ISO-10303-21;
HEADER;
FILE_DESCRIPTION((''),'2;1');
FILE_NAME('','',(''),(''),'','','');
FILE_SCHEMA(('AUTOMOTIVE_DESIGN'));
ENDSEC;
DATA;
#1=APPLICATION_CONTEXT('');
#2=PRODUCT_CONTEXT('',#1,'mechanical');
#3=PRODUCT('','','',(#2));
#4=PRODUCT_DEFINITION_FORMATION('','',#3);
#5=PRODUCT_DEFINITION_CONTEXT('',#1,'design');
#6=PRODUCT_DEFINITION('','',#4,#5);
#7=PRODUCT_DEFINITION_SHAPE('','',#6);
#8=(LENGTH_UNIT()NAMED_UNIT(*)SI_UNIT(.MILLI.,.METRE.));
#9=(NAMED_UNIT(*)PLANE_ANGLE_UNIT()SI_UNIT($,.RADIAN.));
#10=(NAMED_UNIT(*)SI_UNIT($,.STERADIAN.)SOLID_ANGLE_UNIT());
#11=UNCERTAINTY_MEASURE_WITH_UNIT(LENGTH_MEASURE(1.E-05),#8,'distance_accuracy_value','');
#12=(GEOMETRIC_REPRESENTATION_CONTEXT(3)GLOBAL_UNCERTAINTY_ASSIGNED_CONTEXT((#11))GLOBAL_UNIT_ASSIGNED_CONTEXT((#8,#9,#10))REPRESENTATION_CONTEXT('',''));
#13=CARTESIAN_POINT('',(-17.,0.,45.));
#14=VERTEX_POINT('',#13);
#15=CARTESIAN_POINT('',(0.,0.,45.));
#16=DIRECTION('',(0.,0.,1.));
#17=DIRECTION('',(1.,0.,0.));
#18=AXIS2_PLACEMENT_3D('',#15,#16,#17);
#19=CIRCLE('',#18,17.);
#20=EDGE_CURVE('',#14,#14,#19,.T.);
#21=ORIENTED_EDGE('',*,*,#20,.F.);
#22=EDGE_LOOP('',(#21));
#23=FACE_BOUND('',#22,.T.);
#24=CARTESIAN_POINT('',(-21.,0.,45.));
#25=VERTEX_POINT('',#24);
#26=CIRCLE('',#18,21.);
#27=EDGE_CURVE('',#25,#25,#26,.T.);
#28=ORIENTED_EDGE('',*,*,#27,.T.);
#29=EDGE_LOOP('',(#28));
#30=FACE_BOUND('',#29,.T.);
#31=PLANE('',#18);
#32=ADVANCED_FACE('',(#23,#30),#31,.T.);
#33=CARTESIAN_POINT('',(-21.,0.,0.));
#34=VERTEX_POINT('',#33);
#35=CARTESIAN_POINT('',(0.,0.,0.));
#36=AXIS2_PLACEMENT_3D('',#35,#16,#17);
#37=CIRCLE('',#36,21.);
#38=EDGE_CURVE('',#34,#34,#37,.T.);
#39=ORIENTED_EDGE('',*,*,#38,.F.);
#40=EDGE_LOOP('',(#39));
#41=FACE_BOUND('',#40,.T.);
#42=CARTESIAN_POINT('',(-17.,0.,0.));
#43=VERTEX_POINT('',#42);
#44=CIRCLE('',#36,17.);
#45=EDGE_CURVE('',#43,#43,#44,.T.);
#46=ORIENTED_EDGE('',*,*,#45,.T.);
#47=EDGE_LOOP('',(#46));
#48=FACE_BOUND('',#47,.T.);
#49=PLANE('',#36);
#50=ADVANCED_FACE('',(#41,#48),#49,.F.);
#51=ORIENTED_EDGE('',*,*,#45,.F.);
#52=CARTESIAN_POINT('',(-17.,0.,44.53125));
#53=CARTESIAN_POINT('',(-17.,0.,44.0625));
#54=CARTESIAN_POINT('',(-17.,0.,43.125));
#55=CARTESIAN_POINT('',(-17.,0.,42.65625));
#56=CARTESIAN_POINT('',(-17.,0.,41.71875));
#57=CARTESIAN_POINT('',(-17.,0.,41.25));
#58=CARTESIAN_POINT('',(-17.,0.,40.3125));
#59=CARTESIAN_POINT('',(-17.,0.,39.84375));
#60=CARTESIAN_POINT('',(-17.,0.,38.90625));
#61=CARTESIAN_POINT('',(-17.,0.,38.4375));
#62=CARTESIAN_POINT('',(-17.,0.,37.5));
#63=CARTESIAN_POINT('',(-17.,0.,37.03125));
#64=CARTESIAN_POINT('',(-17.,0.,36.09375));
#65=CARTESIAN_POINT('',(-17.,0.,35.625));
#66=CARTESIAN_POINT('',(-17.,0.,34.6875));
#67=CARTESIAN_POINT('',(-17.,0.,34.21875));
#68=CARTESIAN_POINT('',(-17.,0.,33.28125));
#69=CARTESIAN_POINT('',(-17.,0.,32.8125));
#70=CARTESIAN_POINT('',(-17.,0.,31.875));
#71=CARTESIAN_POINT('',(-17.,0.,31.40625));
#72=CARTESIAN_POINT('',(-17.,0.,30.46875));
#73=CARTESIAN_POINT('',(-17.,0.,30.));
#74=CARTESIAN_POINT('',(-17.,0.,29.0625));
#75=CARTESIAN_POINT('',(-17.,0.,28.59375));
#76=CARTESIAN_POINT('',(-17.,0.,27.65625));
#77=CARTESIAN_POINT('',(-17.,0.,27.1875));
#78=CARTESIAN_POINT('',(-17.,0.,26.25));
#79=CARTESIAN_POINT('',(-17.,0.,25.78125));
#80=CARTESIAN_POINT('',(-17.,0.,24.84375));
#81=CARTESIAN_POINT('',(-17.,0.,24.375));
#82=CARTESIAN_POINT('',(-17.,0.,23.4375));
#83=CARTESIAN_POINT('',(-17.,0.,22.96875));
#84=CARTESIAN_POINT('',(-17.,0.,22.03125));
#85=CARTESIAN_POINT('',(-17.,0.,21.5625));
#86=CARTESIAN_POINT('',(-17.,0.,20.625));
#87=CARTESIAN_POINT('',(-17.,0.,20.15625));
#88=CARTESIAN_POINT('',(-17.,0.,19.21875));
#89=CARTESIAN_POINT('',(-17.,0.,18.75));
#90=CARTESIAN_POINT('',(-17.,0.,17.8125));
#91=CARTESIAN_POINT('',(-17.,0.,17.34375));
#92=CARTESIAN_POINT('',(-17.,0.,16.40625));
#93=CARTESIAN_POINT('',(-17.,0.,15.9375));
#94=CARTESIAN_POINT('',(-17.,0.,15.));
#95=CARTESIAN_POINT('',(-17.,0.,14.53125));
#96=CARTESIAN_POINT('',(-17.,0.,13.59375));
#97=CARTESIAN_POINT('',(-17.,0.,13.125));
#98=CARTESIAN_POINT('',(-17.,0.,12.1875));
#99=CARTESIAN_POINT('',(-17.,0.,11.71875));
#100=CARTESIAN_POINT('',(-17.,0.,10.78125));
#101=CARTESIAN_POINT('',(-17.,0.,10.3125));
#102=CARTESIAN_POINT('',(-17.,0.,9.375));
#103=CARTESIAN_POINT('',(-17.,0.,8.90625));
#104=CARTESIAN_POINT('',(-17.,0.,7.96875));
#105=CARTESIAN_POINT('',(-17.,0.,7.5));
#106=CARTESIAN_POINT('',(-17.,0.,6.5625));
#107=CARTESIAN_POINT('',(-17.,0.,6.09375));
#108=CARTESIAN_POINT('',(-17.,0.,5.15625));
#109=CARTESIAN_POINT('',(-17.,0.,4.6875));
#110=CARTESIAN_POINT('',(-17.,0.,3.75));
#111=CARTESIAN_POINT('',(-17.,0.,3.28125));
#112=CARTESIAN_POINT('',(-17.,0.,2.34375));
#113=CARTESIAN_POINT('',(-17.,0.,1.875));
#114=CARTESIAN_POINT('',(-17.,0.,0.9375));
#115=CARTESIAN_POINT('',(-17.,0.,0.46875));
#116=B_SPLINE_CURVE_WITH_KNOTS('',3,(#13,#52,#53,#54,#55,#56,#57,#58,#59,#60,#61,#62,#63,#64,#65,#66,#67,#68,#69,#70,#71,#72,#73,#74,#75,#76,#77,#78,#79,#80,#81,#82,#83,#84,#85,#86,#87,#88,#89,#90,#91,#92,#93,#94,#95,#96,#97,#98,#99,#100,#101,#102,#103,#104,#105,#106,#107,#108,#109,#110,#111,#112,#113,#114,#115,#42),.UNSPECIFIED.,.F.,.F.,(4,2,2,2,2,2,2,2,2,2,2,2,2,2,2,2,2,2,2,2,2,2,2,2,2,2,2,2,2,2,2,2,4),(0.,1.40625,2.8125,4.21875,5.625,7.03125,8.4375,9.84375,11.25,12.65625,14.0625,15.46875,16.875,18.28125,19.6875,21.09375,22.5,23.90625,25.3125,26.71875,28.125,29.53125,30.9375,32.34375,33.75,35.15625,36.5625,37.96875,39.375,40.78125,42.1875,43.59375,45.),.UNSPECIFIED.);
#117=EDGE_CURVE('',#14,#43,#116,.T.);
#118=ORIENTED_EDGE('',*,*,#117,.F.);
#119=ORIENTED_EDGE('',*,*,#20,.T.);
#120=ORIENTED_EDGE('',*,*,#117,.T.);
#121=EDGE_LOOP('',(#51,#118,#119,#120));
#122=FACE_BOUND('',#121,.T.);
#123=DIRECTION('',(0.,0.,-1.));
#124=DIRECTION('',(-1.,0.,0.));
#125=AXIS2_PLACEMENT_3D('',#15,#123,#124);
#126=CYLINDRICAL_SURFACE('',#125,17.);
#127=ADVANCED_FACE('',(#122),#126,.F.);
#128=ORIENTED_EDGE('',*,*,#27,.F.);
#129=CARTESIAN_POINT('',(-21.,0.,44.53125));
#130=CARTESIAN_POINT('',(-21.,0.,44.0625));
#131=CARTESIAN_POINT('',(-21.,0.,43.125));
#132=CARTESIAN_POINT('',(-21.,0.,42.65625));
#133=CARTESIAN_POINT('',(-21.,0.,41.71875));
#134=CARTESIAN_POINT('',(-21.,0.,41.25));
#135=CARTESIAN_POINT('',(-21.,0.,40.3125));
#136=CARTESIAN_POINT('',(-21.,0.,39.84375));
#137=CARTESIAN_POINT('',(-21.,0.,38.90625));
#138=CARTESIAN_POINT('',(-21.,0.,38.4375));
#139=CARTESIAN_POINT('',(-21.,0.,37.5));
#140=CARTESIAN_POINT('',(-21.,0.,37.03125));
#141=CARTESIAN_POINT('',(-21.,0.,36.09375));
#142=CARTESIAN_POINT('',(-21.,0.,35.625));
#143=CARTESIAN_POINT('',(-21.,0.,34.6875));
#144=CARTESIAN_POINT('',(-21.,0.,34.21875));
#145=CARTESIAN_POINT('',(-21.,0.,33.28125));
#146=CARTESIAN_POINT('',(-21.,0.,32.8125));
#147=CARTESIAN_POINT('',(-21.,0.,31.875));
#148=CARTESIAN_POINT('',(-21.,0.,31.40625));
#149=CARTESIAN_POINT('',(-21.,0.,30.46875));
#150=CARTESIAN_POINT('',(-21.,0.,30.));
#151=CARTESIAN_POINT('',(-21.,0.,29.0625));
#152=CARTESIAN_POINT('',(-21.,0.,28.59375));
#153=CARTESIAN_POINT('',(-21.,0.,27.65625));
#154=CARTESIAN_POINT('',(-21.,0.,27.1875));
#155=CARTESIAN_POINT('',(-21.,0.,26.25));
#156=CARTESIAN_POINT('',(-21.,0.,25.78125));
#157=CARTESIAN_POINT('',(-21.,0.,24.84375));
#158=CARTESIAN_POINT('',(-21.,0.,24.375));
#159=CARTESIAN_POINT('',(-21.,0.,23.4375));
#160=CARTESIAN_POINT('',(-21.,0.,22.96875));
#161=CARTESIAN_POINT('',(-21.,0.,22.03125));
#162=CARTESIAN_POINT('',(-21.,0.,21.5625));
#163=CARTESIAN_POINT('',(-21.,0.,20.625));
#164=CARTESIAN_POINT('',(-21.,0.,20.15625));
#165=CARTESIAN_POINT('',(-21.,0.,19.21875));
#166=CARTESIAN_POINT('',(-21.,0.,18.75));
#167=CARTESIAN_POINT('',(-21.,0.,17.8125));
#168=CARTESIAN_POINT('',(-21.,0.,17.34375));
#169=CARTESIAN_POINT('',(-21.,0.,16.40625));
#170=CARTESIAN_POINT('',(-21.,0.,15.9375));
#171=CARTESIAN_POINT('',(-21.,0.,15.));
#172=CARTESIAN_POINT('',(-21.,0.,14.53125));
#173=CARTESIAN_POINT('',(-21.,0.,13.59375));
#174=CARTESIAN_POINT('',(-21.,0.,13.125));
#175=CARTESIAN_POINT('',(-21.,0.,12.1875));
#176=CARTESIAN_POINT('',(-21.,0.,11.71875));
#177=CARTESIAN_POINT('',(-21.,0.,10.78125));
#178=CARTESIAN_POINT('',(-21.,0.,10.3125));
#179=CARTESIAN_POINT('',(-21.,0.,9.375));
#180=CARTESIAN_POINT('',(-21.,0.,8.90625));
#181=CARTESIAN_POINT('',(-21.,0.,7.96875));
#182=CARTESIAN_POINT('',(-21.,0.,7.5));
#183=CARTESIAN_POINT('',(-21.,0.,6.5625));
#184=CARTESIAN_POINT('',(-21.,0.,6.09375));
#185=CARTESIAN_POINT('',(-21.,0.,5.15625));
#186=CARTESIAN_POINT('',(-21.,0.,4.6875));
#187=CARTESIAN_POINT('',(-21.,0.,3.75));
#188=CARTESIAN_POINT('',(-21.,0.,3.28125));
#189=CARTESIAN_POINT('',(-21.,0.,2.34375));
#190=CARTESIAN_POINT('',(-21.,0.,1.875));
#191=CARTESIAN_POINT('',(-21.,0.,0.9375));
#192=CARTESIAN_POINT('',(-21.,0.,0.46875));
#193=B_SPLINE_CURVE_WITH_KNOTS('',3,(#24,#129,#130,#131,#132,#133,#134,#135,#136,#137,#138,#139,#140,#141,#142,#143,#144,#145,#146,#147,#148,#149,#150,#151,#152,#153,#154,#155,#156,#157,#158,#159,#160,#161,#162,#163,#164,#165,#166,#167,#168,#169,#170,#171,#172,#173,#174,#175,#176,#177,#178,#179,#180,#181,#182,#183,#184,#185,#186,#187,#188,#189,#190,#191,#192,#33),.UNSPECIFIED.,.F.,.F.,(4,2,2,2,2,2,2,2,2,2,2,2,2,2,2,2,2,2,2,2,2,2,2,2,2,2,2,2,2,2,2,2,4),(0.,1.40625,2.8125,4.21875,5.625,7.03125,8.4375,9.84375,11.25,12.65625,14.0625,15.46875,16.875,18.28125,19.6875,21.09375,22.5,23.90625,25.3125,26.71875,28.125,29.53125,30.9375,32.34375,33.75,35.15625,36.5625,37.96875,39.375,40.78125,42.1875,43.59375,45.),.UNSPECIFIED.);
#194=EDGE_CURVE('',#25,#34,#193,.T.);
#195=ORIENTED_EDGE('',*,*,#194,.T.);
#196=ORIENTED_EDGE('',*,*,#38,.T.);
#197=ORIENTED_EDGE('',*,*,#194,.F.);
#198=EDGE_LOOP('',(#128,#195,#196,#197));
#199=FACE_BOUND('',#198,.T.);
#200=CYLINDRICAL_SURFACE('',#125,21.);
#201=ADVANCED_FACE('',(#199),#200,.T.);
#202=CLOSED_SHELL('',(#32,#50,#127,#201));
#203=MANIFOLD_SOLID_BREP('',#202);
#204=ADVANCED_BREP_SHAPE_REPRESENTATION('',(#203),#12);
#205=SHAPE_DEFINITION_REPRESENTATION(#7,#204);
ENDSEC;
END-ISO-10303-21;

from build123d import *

# Parameters (mm, degrees)
SKETCH1_R           = 21
SKETCH1_R_2         = 17
BOSS_EXTRUDE1_DEPTH = 45


with BuildPart() as part:
    # Sketch1 → Boss-Extrude1 (new body)
    with BuildSketch(Plane.XY):
        with Locations(Location((0, 0, 0), (0, 0, 180))):
            Circle(SKETCH1_R)
        with Locations(Location((0, 0, 0), (0, 0, 180))):
            Circle(SKETCH1_R_2, mode=Mode.SUBTRACT)
    extrude(amount=BOSS_EXTRUDE1_DEPTH)


solid = part.part
